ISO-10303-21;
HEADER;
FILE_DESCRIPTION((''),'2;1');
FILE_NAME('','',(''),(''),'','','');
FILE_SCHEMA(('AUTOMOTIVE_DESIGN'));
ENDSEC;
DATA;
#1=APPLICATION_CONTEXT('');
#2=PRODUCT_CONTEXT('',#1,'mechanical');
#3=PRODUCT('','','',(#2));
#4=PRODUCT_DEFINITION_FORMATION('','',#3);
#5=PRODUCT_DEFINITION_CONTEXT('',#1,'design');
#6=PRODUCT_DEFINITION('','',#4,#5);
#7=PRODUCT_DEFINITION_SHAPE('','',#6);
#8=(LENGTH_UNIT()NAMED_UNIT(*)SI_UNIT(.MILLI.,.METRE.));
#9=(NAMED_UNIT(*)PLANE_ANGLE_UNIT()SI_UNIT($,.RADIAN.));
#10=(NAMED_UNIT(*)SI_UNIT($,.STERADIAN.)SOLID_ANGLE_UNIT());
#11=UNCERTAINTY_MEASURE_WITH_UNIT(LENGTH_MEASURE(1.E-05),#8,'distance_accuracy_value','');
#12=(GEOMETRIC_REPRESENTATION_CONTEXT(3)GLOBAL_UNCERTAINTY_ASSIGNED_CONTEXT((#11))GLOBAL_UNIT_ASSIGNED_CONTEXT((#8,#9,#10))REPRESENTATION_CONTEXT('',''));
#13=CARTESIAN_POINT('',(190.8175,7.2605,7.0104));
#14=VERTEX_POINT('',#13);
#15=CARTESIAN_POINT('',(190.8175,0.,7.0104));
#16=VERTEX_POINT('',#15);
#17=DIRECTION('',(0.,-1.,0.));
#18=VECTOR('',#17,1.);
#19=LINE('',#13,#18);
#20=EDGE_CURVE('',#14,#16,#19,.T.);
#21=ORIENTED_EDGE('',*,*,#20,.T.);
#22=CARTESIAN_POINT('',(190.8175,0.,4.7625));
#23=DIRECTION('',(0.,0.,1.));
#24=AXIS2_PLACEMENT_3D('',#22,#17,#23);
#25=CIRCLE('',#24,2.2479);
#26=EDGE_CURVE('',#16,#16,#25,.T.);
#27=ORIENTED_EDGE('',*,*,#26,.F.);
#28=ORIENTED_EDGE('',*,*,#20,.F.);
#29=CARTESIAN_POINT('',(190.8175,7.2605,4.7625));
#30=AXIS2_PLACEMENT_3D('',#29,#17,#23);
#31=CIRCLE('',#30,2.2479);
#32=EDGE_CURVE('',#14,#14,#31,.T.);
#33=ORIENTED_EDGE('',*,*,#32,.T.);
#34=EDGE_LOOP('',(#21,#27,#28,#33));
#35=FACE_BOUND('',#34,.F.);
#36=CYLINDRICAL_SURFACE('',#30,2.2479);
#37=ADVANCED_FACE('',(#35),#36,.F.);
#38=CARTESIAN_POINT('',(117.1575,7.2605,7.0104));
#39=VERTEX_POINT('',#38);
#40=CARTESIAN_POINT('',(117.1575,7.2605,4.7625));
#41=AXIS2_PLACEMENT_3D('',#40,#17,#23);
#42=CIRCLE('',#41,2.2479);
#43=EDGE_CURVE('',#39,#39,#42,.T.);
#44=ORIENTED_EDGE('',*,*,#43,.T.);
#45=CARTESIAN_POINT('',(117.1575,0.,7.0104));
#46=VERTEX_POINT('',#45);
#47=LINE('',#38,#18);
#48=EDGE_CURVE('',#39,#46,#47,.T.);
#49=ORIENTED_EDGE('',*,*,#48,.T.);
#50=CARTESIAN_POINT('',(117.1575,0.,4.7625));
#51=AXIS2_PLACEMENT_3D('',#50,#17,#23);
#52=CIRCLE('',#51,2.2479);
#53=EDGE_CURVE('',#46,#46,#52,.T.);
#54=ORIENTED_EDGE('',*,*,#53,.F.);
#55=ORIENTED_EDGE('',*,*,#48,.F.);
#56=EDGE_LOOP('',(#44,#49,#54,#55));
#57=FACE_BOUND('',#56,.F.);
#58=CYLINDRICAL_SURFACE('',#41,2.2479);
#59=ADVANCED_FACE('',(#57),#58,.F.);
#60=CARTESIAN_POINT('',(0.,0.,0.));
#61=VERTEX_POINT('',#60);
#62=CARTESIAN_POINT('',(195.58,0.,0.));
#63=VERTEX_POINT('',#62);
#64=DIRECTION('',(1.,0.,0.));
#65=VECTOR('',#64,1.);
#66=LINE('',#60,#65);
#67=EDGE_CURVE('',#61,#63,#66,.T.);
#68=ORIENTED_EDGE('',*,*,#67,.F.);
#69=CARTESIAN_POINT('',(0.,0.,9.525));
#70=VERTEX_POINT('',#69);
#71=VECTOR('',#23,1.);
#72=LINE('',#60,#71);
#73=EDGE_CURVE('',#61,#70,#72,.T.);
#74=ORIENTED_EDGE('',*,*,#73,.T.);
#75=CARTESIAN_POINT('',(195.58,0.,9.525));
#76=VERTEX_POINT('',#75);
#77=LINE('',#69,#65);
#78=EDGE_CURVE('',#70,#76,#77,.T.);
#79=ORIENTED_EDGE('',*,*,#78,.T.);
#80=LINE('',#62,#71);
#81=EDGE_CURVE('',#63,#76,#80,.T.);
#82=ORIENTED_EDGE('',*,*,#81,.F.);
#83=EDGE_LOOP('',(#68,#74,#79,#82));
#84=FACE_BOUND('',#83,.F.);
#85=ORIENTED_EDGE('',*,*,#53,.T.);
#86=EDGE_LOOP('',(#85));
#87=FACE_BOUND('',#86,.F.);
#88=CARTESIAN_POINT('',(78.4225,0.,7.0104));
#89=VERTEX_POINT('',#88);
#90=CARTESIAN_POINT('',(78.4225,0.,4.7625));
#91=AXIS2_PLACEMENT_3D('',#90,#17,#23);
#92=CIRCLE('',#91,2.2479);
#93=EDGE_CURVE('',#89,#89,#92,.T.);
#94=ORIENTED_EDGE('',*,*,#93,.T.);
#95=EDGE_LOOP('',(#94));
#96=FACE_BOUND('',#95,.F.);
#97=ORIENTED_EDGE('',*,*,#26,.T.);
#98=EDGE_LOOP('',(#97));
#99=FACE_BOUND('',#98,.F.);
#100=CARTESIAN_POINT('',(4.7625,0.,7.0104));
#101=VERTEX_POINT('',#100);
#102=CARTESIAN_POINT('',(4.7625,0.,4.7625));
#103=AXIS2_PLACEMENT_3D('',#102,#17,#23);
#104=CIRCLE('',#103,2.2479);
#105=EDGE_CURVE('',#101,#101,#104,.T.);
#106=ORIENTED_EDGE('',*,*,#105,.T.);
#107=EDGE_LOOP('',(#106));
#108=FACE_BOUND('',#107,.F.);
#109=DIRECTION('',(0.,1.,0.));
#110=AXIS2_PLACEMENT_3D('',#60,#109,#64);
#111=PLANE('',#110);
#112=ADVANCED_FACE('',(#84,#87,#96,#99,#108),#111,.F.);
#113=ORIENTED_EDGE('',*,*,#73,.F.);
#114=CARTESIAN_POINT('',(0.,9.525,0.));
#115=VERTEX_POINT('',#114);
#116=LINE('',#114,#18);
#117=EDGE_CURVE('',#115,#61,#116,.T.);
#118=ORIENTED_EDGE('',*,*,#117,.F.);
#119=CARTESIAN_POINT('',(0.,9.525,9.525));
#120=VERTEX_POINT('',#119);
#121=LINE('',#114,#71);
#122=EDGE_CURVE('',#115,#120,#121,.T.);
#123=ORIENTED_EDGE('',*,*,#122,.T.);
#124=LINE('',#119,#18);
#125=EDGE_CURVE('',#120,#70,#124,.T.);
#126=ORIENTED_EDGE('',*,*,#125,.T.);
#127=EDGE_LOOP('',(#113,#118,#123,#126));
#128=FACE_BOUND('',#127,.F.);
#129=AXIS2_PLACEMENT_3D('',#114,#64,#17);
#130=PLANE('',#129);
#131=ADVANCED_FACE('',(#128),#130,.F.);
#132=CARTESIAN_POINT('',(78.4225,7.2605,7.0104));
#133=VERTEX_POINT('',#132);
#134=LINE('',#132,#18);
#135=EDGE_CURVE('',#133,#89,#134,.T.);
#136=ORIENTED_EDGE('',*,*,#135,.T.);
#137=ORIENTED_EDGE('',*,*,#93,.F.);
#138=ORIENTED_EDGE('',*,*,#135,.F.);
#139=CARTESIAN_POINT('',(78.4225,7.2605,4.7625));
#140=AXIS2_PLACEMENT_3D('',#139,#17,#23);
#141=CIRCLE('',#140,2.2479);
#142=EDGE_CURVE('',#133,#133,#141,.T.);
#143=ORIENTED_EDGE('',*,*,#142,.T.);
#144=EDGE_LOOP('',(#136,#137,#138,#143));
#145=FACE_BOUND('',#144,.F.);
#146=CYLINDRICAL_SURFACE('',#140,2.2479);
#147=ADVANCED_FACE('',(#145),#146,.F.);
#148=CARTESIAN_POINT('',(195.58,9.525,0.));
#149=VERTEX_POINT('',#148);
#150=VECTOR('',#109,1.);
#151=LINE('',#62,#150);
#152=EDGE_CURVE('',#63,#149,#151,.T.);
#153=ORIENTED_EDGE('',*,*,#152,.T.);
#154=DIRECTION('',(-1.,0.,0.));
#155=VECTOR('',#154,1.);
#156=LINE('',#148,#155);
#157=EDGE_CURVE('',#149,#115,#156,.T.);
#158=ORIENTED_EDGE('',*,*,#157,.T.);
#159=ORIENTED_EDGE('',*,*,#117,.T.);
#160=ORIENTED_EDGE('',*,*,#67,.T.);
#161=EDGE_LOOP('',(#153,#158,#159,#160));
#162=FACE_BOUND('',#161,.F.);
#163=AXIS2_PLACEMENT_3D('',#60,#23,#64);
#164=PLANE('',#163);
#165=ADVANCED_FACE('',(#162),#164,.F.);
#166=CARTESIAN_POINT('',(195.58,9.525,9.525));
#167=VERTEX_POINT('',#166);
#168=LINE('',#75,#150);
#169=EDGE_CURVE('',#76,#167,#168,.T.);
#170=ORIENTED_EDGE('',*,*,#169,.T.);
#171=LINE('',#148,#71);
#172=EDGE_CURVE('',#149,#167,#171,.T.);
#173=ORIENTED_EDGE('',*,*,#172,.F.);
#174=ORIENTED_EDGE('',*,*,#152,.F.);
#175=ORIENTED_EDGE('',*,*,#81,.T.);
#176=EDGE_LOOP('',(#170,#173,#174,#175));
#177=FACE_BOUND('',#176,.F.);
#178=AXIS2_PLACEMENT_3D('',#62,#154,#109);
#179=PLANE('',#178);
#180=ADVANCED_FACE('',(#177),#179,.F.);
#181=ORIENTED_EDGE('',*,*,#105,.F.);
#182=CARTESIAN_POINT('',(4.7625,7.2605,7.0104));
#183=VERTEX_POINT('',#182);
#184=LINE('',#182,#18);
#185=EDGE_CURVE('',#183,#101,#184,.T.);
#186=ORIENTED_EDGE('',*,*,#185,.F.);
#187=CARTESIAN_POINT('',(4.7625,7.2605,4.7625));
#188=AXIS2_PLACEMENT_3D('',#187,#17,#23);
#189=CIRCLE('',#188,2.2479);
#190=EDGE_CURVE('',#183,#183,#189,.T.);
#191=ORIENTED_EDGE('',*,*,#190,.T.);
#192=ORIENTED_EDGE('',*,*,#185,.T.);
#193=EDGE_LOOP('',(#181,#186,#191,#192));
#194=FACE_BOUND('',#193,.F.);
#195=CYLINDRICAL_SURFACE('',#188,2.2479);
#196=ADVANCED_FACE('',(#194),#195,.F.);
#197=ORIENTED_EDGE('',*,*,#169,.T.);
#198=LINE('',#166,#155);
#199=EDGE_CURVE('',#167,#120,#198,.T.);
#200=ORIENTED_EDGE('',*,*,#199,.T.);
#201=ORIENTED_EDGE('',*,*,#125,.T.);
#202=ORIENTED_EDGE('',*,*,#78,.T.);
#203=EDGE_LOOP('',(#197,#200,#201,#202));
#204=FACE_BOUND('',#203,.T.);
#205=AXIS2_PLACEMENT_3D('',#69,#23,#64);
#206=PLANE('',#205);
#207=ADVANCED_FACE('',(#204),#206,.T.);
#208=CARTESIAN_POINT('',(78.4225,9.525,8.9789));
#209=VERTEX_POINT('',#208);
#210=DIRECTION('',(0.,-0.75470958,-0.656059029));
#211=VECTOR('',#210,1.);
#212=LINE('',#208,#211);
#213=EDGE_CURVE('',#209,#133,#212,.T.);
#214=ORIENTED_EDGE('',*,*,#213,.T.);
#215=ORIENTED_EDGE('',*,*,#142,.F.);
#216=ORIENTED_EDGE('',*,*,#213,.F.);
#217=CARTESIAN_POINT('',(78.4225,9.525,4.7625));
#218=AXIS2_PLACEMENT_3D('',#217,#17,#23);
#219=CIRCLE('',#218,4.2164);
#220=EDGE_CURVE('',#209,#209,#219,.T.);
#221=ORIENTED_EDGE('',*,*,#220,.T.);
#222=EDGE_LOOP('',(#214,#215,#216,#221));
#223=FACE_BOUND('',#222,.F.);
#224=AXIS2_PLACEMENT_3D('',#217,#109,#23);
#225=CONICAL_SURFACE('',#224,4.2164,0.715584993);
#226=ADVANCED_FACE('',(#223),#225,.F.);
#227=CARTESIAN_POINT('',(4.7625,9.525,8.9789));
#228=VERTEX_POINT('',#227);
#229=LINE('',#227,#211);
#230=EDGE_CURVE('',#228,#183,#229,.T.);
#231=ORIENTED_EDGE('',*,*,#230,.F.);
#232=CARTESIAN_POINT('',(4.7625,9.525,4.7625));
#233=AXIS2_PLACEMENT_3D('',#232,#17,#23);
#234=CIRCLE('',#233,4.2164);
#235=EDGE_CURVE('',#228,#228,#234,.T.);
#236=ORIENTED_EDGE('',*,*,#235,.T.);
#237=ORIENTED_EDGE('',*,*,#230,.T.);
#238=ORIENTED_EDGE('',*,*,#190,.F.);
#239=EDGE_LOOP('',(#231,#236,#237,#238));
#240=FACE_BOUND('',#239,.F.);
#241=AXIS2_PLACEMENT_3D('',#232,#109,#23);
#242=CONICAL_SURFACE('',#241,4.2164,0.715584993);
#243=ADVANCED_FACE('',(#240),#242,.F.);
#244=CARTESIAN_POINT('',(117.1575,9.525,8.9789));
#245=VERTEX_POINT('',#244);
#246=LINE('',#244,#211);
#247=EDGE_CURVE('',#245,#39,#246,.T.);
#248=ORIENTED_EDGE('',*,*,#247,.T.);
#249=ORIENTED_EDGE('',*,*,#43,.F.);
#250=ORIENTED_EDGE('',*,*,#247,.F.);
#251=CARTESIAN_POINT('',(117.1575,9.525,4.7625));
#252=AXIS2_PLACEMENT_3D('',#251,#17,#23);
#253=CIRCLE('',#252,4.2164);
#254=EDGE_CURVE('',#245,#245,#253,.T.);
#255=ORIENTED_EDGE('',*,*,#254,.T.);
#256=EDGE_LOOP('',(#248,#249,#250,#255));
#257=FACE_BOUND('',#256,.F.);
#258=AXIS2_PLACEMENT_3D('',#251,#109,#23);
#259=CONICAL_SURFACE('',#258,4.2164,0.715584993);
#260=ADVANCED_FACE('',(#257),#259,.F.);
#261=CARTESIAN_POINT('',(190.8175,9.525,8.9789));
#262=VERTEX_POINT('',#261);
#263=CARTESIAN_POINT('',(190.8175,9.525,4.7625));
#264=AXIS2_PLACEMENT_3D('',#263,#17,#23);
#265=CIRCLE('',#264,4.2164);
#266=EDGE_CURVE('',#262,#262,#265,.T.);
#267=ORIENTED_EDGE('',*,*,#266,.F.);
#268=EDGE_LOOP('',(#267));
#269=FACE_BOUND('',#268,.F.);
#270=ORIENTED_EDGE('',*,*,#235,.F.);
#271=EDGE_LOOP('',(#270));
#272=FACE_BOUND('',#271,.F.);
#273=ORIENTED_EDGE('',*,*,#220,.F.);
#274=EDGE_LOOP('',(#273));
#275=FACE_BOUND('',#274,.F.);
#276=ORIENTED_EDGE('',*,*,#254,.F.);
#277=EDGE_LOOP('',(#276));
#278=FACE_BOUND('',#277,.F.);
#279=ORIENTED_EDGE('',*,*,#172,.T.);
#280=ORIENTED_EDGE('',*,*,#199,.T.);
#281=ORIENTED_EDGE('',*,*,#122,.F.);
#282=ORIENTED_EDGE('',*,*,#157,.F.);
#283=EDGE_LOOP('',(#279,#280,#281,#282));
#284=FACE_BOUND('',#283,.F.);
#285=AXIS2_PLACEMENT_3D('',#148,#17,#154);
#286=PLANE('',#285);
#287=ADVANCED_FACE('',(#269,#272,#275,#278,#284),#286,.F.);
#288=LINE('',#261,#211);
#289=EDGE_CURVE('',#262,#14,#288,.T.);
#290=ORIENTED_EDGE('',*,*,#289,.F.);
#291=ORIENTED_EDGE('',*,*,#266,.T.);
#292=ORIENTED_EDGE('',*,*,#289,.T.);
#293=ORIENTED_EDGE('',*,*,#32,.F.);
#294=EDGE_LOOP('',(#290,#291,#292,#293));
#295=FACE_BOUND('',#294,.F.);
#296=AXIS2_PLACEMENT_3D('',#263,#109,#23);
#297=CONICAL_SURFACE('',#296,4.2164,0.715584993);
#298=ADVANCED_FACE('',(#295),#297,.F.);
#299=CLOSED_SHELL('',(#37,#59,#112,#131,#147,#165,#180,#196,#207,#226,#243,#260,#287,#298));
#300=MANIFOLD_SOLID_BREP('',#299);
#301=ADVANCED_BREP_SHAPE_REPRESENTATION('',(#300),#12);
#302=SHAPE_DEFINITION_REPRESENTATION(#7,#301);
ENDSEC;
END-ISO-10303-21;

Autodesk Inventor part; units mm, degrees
ref_plane "YZ Plane" through (0, 0, 0) normal (1, 0, 0) x (0, 1, 0)
ref_plane "XZ Plane" through (0, 0, 0) normal (0, 1, 0) x (-1, 0, 0)
ref_plane "XY Plane" through (0, 0, 0) normal (0, 0, 1) x (1, 0, 0)
sketch "Sketch1" plane through (0, 0, 0) normal (0, 0, 1) x (1, 0, 0)
  line L0 (0, 0) -> (195.58, 0)
  line L1 (195.58, 0) -> (195.58, 9.525)
  line L2 (195.58, 9.525) -> (0, 9.525)
  line L3 (0, 9.525) -> (0, 0)
  dimension "d0" = 9.525
  dimension "d1" = 195.58
extrude "Extrusion1" add sketch "Sketch1" along normal blind 9.525
sketch "Sketch2" plane through (0, 9.525, 0) normal (0, 1, 0) x (1, 0, 0)
  line L0 (195.58, 0) -> (0, 0) projected
  line L1 (9.525, 0) -> (9.525, -9.525) projected
  line L2 (73.66, -9.525) -> (73.66, 0) projected
  line L3 (83.185, 0) -> (83.185, -9.525) projected
  line L4 (112.395, 0) -> (112.395, -9.525) projected
  line L5 (121.92, -9.525) -> (121.92, 0) projected
  line L6 (186.055, 0) -> (186.055, -9.525) projected
  point P0 (4.7625, -4.7625)
  point P1 (78.4225, -4.7625)
  point P2 (117.1575, -4.7625)
  point P3 (190.8175, -4.7625)
  dimension "d4" = 4.7625
  dimension "d5" = 4.7625
  dimension "d6" = 4.7625
  dimension "d7" = 4.7625
  dimension "d8" = 4.7625
  dimension "d9" = 4.7625
  dimension "d10" = 4.7625
  dimension "d11" = 4.7625
hole "Hole1" at (4.7625, 9.525, 4.7625) at (78.4225, 9.525, 4.7625) at (117.1575, 9.525, 4.7625) at (190.8175, 9.525, 4.7625) direction (0, -1, 0) diameter 4.4958 end through all countersink diameter 8.4328 countersink angle 82 clearance for "Flat Head Machine Screw (82)" size "#8" standard "Ansi Unified Screw Threads"
properties part number "SupportBar" material "Aluminum-6061"
